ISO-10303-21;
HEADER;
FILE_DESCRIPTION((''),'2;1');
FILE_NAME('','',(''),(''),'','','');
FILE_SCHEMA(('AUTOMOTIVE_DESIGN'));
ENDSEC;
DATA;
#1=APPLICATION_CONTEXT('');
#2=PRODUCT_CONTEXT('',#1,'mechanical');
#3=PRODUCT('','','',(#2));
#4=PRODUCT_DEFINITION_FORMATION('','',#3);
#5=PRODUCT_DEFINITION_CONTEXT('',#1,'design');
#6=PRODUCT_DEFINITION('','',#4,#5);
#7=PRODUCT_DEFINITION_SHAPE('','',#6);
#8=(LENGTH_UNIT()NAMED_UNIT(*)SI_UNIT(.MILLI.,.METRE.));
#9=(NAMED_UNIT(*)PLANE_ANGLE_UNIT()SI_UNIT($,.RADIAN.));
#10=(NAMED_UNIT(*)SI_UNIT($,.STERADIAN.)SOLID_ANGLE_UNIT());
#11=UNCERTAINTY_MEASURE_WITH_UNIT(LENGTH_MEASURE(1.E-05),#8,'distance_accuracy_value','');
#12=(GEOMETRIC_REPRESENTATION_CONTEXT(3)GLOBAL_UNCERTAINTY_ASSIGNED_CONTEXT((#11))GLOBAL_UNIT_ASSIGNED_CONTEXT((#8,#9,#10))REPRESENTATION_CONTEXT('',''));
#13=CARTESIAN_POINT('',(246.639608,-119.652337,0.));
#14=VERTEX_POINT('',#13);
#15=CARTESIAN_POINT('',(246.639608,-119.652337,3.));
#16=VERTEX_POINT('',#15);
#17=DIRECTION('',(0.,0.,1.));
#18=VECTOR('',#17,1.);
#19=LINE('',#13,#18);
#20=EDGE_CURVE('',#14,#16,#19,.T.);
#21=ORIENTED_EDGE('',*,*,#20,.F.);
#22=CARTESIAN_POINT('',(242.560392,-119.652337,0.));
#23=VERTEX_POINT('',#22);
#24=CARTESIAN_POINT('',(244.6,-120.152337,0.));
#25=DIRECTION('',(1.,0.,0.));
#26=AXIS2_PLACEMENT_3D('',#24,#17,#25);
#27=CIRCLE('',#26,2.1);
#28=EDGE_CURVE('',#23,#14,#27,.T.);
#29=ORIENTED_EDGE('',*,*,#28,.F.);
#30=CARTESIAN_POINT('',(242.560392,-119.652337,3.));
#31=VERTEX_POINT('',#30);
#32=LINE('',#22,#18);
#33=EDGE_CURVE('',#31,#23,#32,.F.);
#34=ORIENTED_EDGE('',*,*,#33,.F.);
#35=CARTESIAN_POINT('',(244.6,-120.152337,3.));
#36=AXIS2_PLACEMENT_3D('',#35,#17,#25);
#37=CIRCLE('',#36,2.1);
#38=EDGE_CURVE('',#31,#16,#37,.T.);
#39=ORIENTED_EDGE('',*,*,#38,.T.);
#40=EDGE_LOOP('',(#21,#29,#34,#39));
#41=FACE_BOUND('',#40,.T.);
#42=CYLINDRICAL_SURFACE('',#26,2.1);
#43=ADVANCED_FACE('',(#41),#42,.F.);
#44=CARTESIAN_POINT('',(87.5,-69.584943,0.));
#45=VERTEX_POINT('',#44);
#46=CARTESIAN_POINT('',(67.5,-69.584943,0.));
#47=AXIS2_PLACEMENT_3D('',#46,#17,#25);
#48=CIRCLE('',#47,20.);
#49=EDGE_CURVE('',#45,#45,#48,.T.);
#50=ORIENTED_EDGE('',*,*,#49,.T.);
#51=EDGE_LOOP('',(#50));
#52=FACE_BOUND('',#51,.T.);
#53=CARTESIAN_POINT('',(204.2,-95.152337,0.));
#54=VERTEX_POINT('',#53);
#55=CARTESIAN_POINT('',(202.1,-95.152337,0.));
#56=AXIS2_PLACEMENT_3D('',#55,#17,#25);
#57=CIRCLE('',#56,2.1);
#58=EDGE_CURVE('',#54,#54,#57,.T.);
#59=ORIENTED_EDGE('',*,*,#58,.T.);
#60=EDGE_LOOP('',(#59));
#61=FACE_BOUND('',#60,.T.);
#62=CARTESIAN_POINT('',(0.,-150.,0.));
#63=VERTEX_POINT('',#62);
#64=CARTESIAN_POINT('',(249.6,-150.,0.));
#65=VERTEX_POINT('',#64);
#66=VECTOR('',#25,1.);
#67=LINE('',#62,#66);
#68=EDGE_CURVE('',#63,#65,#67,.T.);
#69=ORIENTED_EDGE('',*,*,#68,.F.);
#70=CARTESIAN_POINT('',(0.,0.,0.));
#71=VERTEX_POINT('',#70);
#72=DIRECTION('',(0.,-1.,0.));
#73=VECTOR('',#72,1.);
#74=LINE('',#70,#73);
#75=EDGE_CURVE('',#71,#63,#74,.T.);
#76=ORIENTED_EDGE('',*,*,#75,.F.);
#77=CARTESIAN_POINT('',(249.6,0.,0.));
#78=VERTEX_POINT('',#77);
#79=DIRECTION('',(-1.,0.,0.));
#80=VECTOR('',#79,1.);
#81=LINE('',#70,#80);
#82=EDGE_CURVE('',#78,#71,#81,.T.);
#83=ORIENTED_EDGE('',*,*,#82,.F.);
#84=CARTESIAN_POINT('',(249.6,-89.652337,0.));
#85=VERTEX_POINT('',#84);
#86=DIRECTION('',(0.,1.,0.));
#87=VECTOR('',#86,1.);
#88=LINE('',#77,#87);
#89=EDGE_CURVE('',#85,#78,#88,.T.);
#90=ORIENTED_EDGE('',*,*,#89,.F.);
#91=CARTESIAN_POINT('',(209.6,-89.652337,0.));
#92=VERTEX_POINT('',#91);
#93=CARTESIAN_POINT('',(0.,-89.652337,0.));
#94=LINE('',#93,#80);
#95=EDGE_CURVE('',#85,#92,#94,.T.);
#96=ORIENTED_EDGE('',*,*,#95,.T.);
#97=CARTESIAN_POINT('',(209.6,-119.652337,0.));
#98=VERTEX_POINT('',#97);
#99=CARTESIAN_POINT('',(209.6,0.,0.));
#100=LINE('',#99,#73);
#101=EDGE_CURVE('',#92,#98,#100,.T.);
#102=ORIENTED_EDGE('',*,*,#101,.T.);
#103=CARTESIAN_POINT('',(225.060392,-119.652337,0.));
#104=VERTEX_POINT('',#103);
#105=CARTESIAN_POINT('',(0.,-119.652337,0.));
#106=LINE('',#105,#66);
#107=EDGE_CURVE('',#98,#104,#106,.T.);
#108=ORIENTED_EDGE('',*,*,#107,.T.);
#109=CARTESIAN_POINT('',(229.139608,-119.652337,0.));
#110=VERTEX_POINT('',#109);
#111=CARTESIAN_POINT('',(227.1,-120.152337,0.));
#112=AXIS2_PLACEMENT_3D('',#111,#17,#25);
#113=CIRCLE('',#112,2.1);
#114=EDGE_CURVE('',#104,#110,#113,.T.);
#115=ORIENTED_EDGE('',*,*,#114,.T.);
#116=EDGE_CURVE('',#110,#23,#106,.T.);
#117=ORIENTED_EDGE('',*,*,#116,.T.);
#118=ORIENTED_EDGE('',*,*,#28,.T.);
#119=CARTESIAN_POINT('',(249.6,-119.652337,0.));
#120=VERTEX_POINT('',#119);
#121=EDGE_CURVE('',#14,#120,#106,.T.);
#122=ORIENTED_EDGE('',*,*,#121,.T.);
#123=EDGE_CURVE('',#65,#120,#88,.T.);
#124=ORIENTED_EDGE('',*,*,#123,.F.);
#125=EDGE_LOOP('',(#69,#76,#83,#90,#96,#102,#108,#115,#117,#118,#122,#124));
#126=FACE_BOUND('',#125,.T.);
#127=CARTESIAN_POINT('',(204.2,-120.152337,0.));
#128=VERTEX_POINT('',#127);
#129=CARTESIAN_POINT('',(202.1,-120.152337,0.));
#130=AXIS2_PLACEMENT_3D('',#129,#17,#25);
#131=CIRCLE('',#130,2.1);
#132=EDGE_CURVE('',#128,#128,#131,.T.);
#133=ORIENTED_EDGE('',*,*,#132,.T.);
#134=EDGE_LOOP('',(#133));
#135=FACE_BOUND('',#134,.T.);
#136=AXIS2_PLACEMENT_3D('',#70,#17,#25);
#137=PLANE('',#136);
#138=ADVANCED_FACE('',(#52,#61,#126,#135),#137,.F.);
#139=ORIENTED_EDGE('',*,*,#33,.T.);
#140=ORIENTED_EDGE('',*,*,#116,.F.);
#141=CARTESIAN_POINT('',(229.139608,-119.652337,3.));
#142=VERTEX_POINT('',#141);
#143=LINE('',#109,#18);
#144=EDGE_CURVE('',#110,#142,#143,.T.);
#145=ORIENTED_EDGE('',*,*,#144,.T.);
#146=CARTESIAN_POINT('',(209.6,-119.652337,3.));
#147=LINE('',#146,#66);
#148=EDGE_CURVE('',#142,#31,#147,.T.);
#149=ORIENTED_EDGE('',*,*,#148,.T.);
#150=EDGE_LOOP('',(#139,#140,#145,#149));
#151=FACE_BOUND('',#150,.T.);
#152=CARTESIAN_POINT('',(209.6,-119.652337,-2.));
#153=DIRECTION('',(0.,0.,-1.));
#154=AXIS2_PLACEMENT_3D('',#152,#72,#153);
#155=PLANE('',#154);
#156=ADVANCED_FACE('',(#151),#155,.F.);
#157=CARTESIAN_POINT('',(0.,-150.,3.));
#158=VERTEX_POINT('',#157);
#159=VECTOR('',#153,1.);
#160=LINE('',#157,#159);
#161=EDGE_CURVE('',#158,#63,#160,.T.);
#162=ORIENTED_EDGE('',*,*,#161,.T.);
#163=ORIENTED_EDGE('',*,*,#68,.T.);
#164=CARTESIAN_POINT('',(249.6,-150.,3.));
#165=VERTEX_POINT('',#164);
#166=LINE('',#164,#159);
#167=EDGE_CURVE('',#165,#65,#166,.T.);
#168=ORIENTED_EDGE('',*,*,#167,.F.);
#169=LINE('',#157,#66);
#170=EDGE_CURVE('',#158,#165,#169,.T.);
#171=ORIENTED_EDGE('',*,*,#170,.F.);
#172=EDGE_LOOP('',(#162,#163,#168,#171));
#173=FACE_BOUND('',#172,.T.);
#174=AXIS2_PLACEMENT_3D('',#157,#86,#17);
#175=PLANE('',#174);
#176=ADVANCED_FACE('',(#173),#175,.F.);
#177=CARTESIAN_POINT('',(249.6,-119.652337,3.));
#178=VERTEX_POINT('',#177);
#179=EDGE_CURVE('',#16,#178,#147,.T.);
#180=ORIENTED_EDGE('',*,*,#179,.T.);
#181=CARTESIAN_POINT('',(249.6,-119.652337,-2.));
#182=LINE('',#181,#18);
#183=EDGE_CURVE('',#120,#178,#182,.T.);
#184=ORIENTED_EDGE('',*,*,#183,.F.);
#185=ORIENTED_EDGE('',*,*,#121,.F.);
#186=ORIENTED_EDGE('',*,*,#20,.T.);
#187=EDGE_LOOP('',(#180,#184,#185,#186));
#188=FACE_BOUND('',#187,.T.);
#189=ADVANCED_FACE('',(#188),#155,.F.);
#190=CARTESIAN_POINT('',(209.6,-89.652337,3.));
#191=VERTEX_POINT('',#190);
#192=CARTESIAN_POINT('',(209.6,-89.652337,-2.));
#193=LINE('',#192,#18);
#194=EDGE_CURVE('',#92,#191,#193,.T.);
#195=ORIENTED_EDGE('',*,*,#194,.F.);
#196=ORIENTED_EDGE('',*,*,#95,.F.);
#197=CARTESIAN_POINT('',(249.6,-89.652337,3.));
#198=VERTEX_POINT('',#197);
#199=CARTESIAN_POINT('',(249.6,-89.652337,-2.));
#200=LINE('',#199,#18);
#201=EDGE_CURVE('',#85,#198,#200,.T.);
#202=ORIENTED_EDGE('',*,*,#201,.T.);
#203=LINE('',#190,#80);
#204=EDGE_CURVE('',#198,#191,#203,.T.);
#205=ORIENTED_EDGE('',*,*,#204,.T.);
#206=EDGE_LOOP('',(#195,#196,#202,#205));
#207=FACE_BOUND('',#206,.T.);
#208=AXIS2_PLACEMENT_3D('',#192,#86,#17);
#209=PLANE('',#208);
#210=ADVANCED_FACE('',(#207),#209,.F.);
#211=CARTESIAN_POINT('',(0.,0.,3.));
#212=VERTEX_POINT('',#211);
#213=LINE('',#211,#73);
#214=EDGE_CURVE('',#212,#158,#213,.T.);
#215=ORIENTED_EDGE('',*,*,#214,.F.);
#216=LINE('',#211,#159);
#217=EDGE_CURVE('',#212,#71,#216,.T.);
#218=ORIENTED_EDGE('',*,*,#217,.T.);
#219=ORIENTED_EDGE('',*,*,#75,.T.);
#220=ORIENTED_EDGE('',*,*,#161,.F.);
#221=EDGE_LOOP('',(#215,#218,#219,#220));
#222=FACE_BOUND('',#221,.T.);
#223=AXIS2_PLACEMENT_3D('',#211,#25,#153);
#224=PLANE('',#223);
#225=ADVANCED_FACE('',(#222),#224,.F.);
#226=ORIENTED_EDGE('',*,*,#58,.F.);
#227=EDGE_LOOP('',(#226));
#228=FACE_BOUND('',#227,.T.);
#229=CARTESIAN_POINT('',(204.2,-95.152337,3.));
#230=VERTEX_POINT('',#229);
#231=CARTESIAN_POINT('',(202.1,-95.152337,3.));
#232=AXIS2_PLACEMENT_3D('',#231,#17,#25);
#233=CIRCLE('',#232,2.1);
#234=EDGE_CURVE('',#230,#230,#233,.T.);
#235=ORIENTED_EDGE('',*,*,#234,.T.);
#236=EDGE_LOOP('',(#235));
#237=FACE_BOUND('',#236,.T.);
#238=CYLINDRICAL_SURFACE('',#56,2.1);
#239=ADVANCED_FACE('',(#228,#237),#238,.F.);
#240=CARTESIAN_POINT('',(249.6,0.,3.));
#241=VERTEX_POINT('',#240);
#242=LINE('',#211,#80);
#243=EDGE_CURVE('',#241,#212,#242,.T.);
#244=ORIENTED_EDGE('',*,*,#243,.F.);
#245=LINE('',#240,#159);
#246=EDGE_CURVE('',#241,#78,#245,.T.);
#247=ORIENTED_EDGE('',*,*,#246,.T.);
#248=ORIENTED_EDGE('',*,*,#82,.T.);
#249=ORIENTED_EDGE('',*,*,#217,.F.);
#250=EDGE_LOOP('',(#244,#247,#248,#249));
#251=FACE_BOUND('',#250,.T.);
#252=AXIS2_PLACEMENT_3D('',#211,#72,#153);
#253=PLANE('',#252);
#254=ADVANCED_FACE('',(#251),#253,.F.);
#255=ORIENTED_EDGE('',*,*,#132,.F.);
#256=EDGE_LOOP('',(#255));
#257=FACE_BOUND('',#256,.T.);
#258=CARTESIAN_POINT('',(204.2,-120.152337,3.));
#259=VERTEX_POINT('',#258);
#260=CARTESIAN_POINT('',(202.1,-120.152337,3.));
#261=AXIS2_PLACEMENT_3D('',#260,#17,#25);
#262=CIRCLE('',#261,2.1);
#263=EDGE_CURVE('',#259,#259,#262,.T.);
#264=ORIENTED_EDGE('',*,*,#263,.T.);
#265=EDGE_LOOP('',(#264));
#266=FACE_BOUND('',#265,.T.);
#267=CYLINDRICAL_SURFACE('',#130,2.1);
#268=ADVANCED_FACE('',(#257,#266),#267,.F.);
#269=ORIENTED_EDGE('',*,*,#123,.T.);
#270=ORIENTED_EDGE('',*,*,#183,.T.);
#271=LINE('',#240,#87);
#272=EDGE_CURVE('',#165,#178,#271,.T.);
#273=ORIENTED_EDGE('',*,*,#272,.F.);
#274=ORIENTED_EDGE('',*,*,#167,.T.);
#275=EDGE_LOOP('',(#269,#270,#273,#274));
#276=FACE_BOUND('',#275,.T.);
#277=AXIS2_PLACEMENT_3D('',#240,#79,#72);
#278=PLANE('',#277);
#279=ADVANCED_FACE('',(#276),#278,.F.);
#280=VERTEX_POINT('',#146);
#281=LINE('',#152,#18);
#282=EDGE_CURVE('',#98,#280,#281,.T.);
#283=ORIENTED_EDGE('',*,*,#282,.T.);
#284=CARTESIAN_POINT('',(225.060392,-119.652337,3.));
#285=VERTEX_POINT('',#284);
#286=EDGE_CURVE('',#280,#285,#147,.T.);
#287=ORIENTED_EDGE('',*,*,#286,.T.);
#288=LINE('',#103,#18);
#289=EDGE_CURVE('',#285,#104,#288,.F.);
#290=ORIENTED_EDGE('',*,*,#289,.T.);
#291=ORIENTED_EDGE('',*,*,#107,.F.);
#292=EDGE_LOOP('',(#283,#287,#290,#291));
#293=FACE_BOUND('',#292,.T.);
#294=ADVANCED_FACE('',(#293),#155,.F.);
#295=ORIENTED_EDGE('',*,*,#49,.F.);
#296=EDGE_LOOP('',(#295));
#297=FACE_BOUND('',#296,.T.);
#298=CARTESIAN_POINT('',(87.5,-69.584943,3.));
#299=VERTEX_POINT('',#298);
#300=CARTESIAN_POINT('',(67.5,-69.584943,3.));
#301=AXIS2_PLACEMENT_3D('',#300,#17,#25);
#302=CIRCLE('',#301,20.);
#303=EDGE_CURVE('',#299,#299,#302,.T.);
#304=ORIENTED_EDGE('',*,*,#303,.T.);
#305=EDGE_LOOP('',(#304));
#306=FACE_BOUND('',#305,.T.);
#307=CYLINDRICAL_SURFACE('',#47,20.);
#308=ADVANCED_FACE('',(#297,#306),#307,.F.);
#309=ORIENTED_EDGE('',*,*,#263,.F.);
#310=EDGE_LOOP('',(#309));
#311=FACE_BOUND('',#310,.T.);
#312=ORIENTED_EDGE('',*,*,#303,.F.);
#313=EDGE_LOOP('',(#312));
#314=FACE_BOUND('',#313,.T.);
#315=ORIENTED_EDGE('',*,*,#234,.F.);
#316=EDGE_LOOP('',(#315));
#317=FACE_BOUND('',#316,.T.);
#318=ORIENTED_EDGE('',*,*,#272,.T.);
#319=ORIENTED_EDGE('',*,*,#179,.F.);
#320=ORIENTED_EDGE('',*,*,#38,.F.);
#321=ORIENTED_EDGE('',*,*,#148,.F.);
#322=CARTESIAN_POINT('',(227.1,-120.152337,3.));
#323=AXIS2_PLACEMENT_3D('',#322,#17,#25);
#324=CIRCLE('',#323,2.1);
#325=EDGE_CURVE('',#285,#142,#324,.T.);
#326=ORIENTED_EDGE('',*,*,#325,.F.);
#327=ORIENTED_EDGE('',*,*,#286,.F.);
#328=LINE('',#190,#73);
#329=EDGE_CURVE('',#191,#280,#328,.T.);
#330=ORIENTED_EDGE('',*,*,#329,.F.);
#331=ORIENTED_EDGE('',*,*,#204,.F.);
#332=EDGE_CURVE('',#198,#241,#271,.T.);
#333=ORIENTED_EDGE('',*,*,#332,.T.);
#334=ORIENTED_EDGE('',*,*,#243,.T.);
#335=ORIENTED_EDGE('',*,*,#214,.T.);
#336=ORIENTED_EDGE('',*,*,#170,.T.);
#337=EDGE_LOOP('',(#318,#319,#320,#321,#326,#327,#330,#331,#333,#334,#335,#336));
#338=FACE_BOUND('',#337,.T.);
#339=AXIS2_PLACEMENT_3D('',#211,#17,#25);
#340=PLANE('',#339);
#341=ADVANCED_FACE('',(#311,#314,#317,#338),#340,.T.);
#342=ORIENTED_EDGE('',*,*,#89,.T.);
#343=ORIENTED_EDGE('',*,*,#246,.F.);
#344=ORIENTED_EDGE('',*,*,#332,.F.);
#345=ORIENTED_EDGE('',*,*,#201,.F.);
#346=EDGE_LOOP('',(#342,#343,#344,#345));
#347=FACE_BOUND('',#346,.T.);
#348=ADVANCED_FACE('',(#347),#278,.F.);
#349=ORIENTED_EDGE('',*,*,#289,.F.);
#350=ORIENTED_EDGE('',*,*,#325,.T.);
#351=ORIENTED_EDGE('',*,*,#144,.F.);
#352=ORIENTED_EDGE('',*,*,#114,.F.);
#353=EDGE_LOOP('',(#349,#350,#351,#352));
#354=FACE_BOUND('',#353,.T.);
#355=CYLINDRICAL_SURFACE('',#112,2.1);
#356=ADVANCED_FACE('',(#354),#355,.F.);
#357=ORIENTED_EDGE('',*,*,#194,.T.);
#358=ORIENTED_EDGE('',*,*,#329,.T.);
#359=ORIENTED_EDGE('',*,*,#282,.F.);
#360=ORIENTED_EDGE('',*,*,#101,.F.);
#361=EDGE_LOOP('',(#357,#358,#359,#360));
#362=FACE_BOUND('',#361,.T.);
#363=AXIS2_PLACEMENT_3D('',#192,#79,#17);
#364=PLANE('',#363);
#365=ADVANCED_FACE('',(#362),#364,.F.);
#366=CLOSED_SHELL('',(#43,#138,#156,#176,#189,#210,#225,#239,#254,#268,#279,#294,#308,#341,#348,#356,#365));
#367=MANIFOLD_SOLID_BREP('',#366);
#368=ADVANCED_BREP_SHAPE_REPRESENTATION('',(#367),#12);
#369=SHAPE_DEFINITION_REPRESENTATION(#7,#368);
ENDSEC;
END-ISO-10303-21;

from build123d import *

# Parameters (mm, degrees)
SKETCH1_W           = 249.6
SKETCH1_H           = 150
BOSS_EXTRUDE1_DEPTH = 3
SKETCH2_R           = 20
CUT_EXTRUDE1_DEPTH  = 4
SKETCH3_W           = 40
SKETCH3_H           = 30
CUT_EXTRUDE2_DEPTH  = 5
SKETCH4_R           = 2.1
SKETCH4_R_2         = 4
CUT_EXTRUDE3_DEPTH  = 4


with BuildPart() as part:
    # Sketch1 → Boss-Extrude1 (new body)
    with BuildSketch(Plane.XY):
        with Locations((124.8, -75)):
            Rectangle(SKETCH1_W, SKETCH1_H)
    extrude(amount=BOSS_EXTRUDE1_DEPTH)

    # Sketch2 → Cut-Extrude1 (cut, through all)
    with BuildSketch(Plane.XY.offset(3)):
        with Locations((67.5, -69.58494332)):
            Circle(SKETCH2_R)
    extrude(amount=-CUT_EXTRUDE1_DEPTH, mode=Mode.SUBTRACT)

    # Sketch3 → Cut-Extrude2 (cut)
    with BuildSketch(Plane.XY.offset(3)):
        with Locations((229.6, -104.652337216)):
            Rectangle(SKETCH3_W, SKETCH3_H)
    extrude(amount=-CUT_EXTRUDE2_DEPTH, mode=Mode.SUBTRACT)

    # Sketch4 → Cut-Extrude3 (cut, through all)
    with BuildSketch(Plane.XY.offset(3)):
        with Locations((244.6, -120.152337216)):
            Circle(SKETCH4_R)
        with Locations((227.1, -120.152337216)):
            Circle(SKETCH4_R)
        with Locations((239.6, -107.652337216)):
            Circle(SKETCH4_R_2)
        with Locations((244.6, -95.152337216)):
            Circle(SKETCH4_R)
        with Locations((227.1, -95.152337216)):
            Circle(SKETCH4_R)
        with Locations((202.1, -120.152337216)):
            Circle(SKETCH4_R)
        with Locations((202.1, -95.152337216)):
            Circle(SKETCH4_R)
        with Locations((214.6, -107.652337216)):
            Circle(SKETCH4_R_2)
    extrude(amount=-CUT_EXTRUDE3_DEPTH, mode=Mode.SUBTRACT)


solid = part.part
